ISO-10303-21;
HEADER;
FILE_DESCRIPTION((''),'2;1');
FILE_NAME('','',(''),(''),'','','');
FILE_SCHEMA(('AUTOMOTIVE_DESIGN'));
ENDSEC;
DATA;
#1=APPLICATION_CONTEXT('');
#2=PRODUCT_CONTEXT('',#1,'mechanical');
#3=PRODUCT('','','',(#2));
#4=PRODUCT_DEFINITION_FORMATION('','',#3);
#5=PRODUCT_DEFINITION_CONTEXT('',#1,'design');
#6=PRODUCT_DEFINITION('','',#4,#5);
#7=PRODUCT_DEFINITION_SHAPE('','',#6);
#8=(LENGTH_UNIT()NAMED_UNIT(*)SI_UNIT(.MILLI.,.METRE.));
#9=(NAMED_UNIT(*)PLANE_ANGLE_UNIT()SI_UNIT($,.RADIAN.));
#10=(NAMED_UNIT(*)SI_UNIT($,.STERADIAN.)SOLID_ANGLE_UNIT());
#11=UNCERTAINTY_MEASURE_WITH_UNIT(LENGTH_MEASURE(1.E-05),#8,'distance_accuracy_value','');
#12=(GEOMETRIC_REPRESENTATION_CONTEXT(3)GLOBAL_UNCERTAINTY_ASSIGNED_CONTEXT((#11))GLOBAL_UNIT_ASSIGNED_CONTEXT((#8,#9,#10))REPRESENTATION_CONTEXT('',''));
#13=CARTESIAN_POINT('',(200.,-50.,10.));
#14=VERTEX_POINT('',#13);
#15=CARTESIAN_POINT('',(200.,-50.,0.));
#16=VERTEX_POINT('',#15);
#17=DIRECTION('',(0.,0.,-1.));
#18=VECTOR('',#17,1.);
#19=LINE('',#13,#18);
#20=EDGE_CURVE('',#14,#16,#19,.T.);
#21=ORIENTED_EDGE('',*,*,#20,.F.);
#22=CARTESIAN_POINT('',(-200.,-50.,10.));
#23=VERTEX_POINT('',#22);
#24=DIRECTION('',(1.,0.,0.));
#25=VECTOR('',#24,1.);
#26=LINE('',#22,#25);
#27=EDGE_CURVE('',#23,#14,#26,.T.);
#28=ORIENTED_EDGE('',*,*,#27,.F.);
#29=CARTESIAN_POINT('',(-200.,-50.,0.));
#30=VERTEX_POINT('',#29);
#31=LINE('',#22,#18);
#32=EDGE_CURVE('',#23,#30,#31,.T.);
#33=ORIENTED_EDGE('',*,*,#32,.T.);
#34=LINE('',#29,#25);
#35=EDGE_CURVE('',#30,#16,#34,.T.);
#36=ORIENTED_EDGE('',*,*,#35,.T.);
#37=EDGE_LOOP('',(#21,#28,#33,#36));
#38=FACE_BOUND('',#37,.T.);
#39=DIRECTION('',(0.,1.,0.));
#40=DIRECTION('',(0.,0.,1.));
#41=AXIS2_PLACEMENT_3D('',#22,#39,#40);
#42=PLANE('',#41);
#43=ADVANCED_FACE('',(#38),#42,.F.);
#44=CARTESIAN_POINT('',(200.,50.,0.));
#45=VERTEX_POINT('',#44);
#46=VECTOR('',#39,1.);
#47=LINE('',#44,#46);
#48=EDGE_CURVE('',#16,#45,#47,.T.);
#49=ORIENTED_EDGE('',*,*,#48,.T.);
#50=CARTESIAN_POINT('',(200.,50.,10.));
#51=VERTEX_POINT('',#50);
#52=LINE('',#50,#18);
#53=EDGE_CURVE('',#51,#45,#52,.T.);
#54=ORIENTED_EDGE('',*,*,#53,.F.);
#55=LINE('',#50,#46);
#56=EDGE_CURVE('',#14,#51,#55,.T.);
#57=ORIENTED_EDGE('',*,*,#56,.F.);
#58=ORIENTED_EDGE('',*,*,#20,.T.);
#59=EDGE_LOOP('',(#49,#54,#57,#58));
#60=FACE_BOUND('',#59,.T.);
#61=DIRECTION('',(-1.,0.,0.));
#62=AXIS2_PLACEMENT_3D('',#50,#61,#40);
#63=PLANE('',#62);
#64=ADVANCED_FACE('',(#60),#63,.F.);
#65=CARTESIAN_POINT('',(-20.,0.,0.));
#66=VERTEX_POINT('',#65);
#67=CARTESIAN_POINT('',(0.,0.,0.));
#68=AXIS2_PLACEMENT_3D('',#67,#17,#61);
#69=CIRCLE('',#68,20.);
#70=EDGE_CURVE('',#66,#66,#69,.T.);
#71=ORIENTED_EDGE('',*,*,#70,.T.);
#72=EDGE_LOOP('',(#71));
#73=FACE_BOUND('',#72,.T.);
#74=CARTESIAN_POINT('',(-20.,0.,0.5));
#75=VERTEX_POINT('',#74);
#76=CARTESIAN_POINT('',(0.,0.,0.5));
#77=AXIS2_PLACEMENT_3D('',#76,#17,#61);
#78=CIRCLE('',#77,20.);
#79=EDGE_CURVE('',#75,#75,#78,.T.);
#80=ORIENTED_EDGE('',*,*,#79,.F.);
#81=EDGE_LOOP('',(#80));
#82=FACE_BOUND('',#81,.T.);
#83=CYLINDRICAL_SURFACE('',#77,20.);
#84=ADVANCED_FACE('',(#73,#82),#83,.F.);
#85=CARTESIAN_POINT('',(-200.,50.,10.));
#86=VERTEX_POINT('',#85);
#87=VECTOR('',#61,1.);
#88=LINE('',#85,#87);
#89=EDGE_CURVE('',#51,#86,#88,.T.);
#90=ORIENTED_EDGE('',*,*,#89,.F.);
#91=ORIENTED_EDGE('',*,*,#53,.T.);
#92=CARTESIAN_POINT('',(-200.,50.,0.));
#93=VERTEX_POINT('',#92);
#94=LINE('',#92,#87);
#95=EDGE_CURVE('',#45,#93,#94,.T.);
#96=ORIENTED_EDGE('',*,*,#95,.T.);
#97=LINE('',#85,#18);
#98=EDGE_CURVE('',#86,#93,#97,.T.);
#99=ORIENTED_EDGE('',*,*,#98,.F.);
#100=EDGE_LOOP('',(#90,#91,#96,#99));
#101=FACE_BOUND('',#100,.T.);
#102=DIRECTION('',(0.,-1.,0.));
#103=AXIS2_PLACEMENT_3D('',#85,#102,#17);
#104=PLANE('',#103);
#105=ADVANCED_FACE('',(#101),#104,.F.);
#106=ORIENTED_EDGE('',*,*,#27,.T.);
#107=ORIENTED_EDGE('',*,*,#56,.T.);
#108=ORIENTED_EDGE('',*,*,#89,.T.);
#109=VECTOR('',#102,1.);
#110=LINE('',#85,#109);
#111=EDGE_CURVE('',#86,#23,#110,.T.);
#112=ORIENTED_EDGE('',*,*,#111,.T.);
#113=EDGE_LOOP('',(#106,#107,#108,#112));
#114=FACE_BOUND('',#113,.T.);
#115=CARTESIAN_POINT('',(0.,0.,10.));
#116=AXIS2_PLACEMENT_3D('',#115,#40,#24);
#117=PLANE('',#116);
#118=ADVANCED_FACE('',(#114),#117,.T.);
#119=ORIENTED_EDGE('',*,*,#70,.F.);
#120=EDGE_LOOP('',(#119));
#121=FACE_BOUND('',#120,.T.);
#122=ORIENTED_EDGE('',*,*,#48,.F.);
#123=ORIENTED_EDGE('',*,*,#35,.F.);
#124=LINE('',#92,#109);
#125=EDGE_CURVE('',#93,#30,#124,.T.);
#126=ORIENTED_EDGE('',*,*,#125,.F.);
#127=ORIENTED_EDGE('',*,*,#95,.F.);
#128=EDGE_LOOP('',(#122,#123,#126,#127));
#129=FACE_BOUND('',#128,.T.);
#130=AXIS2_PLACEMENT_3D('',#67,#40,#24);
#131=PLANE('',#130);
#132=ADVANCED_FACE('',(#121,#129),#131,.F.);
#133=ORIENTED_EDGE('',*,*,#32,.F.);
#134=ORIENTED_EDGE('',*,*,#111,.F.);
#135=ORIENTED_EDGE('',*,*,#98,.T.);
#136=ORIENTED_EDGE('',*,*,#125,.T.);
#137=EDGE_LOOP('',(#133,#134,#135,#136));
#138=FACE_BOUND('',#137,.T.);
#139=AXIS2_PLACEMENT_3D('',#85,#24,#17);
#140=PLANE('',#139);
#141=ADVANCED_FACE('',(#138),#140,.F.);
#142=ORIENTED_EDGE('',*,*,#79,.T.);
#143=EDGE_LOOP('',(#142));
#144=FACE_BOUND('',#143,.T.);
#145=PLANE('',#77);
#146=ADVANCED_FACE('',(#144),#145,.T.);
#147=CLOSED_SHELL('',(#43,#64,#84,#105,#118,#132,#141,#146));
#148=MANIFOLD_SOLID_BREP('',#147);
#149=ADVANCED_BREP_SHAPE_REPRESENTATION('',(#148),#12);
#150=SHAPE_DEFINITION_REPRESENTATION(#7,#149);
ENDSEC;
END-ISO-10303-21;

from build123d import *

# Parameters (mm, degrees)
SKETCH1_W           = 400
SKETCH1_H           = 100
BOSS_EXTRUDE1_DEPTH = 10
SKETCH2_R           = 20
CUT_EXTRUDE1_DEPTH  = 0.5


with BuildPart() as part:
    # Sketch1 → Boss-Extrude1 (new body)
    with BuildSketch(Plane.XY):
        Rectangle(SKETCH1_W, SKETCH1_H)
    extrude(amount=BOSS_EXTRUDE1_DEPTH)

    # Sketch2 → Cut-Extrude1 (cut)
    with BuildSketch(Plane(origin=(0, 0, 0), x_dir=(-1, 0, 0), z_dir=(0, 0, -1))):
        Circle(SKETCH2_R)
    extrude(amount=-CUT_EXTRUDE1_DEPTH, mode=Mode.SUBTRACT)


solid = part.part
